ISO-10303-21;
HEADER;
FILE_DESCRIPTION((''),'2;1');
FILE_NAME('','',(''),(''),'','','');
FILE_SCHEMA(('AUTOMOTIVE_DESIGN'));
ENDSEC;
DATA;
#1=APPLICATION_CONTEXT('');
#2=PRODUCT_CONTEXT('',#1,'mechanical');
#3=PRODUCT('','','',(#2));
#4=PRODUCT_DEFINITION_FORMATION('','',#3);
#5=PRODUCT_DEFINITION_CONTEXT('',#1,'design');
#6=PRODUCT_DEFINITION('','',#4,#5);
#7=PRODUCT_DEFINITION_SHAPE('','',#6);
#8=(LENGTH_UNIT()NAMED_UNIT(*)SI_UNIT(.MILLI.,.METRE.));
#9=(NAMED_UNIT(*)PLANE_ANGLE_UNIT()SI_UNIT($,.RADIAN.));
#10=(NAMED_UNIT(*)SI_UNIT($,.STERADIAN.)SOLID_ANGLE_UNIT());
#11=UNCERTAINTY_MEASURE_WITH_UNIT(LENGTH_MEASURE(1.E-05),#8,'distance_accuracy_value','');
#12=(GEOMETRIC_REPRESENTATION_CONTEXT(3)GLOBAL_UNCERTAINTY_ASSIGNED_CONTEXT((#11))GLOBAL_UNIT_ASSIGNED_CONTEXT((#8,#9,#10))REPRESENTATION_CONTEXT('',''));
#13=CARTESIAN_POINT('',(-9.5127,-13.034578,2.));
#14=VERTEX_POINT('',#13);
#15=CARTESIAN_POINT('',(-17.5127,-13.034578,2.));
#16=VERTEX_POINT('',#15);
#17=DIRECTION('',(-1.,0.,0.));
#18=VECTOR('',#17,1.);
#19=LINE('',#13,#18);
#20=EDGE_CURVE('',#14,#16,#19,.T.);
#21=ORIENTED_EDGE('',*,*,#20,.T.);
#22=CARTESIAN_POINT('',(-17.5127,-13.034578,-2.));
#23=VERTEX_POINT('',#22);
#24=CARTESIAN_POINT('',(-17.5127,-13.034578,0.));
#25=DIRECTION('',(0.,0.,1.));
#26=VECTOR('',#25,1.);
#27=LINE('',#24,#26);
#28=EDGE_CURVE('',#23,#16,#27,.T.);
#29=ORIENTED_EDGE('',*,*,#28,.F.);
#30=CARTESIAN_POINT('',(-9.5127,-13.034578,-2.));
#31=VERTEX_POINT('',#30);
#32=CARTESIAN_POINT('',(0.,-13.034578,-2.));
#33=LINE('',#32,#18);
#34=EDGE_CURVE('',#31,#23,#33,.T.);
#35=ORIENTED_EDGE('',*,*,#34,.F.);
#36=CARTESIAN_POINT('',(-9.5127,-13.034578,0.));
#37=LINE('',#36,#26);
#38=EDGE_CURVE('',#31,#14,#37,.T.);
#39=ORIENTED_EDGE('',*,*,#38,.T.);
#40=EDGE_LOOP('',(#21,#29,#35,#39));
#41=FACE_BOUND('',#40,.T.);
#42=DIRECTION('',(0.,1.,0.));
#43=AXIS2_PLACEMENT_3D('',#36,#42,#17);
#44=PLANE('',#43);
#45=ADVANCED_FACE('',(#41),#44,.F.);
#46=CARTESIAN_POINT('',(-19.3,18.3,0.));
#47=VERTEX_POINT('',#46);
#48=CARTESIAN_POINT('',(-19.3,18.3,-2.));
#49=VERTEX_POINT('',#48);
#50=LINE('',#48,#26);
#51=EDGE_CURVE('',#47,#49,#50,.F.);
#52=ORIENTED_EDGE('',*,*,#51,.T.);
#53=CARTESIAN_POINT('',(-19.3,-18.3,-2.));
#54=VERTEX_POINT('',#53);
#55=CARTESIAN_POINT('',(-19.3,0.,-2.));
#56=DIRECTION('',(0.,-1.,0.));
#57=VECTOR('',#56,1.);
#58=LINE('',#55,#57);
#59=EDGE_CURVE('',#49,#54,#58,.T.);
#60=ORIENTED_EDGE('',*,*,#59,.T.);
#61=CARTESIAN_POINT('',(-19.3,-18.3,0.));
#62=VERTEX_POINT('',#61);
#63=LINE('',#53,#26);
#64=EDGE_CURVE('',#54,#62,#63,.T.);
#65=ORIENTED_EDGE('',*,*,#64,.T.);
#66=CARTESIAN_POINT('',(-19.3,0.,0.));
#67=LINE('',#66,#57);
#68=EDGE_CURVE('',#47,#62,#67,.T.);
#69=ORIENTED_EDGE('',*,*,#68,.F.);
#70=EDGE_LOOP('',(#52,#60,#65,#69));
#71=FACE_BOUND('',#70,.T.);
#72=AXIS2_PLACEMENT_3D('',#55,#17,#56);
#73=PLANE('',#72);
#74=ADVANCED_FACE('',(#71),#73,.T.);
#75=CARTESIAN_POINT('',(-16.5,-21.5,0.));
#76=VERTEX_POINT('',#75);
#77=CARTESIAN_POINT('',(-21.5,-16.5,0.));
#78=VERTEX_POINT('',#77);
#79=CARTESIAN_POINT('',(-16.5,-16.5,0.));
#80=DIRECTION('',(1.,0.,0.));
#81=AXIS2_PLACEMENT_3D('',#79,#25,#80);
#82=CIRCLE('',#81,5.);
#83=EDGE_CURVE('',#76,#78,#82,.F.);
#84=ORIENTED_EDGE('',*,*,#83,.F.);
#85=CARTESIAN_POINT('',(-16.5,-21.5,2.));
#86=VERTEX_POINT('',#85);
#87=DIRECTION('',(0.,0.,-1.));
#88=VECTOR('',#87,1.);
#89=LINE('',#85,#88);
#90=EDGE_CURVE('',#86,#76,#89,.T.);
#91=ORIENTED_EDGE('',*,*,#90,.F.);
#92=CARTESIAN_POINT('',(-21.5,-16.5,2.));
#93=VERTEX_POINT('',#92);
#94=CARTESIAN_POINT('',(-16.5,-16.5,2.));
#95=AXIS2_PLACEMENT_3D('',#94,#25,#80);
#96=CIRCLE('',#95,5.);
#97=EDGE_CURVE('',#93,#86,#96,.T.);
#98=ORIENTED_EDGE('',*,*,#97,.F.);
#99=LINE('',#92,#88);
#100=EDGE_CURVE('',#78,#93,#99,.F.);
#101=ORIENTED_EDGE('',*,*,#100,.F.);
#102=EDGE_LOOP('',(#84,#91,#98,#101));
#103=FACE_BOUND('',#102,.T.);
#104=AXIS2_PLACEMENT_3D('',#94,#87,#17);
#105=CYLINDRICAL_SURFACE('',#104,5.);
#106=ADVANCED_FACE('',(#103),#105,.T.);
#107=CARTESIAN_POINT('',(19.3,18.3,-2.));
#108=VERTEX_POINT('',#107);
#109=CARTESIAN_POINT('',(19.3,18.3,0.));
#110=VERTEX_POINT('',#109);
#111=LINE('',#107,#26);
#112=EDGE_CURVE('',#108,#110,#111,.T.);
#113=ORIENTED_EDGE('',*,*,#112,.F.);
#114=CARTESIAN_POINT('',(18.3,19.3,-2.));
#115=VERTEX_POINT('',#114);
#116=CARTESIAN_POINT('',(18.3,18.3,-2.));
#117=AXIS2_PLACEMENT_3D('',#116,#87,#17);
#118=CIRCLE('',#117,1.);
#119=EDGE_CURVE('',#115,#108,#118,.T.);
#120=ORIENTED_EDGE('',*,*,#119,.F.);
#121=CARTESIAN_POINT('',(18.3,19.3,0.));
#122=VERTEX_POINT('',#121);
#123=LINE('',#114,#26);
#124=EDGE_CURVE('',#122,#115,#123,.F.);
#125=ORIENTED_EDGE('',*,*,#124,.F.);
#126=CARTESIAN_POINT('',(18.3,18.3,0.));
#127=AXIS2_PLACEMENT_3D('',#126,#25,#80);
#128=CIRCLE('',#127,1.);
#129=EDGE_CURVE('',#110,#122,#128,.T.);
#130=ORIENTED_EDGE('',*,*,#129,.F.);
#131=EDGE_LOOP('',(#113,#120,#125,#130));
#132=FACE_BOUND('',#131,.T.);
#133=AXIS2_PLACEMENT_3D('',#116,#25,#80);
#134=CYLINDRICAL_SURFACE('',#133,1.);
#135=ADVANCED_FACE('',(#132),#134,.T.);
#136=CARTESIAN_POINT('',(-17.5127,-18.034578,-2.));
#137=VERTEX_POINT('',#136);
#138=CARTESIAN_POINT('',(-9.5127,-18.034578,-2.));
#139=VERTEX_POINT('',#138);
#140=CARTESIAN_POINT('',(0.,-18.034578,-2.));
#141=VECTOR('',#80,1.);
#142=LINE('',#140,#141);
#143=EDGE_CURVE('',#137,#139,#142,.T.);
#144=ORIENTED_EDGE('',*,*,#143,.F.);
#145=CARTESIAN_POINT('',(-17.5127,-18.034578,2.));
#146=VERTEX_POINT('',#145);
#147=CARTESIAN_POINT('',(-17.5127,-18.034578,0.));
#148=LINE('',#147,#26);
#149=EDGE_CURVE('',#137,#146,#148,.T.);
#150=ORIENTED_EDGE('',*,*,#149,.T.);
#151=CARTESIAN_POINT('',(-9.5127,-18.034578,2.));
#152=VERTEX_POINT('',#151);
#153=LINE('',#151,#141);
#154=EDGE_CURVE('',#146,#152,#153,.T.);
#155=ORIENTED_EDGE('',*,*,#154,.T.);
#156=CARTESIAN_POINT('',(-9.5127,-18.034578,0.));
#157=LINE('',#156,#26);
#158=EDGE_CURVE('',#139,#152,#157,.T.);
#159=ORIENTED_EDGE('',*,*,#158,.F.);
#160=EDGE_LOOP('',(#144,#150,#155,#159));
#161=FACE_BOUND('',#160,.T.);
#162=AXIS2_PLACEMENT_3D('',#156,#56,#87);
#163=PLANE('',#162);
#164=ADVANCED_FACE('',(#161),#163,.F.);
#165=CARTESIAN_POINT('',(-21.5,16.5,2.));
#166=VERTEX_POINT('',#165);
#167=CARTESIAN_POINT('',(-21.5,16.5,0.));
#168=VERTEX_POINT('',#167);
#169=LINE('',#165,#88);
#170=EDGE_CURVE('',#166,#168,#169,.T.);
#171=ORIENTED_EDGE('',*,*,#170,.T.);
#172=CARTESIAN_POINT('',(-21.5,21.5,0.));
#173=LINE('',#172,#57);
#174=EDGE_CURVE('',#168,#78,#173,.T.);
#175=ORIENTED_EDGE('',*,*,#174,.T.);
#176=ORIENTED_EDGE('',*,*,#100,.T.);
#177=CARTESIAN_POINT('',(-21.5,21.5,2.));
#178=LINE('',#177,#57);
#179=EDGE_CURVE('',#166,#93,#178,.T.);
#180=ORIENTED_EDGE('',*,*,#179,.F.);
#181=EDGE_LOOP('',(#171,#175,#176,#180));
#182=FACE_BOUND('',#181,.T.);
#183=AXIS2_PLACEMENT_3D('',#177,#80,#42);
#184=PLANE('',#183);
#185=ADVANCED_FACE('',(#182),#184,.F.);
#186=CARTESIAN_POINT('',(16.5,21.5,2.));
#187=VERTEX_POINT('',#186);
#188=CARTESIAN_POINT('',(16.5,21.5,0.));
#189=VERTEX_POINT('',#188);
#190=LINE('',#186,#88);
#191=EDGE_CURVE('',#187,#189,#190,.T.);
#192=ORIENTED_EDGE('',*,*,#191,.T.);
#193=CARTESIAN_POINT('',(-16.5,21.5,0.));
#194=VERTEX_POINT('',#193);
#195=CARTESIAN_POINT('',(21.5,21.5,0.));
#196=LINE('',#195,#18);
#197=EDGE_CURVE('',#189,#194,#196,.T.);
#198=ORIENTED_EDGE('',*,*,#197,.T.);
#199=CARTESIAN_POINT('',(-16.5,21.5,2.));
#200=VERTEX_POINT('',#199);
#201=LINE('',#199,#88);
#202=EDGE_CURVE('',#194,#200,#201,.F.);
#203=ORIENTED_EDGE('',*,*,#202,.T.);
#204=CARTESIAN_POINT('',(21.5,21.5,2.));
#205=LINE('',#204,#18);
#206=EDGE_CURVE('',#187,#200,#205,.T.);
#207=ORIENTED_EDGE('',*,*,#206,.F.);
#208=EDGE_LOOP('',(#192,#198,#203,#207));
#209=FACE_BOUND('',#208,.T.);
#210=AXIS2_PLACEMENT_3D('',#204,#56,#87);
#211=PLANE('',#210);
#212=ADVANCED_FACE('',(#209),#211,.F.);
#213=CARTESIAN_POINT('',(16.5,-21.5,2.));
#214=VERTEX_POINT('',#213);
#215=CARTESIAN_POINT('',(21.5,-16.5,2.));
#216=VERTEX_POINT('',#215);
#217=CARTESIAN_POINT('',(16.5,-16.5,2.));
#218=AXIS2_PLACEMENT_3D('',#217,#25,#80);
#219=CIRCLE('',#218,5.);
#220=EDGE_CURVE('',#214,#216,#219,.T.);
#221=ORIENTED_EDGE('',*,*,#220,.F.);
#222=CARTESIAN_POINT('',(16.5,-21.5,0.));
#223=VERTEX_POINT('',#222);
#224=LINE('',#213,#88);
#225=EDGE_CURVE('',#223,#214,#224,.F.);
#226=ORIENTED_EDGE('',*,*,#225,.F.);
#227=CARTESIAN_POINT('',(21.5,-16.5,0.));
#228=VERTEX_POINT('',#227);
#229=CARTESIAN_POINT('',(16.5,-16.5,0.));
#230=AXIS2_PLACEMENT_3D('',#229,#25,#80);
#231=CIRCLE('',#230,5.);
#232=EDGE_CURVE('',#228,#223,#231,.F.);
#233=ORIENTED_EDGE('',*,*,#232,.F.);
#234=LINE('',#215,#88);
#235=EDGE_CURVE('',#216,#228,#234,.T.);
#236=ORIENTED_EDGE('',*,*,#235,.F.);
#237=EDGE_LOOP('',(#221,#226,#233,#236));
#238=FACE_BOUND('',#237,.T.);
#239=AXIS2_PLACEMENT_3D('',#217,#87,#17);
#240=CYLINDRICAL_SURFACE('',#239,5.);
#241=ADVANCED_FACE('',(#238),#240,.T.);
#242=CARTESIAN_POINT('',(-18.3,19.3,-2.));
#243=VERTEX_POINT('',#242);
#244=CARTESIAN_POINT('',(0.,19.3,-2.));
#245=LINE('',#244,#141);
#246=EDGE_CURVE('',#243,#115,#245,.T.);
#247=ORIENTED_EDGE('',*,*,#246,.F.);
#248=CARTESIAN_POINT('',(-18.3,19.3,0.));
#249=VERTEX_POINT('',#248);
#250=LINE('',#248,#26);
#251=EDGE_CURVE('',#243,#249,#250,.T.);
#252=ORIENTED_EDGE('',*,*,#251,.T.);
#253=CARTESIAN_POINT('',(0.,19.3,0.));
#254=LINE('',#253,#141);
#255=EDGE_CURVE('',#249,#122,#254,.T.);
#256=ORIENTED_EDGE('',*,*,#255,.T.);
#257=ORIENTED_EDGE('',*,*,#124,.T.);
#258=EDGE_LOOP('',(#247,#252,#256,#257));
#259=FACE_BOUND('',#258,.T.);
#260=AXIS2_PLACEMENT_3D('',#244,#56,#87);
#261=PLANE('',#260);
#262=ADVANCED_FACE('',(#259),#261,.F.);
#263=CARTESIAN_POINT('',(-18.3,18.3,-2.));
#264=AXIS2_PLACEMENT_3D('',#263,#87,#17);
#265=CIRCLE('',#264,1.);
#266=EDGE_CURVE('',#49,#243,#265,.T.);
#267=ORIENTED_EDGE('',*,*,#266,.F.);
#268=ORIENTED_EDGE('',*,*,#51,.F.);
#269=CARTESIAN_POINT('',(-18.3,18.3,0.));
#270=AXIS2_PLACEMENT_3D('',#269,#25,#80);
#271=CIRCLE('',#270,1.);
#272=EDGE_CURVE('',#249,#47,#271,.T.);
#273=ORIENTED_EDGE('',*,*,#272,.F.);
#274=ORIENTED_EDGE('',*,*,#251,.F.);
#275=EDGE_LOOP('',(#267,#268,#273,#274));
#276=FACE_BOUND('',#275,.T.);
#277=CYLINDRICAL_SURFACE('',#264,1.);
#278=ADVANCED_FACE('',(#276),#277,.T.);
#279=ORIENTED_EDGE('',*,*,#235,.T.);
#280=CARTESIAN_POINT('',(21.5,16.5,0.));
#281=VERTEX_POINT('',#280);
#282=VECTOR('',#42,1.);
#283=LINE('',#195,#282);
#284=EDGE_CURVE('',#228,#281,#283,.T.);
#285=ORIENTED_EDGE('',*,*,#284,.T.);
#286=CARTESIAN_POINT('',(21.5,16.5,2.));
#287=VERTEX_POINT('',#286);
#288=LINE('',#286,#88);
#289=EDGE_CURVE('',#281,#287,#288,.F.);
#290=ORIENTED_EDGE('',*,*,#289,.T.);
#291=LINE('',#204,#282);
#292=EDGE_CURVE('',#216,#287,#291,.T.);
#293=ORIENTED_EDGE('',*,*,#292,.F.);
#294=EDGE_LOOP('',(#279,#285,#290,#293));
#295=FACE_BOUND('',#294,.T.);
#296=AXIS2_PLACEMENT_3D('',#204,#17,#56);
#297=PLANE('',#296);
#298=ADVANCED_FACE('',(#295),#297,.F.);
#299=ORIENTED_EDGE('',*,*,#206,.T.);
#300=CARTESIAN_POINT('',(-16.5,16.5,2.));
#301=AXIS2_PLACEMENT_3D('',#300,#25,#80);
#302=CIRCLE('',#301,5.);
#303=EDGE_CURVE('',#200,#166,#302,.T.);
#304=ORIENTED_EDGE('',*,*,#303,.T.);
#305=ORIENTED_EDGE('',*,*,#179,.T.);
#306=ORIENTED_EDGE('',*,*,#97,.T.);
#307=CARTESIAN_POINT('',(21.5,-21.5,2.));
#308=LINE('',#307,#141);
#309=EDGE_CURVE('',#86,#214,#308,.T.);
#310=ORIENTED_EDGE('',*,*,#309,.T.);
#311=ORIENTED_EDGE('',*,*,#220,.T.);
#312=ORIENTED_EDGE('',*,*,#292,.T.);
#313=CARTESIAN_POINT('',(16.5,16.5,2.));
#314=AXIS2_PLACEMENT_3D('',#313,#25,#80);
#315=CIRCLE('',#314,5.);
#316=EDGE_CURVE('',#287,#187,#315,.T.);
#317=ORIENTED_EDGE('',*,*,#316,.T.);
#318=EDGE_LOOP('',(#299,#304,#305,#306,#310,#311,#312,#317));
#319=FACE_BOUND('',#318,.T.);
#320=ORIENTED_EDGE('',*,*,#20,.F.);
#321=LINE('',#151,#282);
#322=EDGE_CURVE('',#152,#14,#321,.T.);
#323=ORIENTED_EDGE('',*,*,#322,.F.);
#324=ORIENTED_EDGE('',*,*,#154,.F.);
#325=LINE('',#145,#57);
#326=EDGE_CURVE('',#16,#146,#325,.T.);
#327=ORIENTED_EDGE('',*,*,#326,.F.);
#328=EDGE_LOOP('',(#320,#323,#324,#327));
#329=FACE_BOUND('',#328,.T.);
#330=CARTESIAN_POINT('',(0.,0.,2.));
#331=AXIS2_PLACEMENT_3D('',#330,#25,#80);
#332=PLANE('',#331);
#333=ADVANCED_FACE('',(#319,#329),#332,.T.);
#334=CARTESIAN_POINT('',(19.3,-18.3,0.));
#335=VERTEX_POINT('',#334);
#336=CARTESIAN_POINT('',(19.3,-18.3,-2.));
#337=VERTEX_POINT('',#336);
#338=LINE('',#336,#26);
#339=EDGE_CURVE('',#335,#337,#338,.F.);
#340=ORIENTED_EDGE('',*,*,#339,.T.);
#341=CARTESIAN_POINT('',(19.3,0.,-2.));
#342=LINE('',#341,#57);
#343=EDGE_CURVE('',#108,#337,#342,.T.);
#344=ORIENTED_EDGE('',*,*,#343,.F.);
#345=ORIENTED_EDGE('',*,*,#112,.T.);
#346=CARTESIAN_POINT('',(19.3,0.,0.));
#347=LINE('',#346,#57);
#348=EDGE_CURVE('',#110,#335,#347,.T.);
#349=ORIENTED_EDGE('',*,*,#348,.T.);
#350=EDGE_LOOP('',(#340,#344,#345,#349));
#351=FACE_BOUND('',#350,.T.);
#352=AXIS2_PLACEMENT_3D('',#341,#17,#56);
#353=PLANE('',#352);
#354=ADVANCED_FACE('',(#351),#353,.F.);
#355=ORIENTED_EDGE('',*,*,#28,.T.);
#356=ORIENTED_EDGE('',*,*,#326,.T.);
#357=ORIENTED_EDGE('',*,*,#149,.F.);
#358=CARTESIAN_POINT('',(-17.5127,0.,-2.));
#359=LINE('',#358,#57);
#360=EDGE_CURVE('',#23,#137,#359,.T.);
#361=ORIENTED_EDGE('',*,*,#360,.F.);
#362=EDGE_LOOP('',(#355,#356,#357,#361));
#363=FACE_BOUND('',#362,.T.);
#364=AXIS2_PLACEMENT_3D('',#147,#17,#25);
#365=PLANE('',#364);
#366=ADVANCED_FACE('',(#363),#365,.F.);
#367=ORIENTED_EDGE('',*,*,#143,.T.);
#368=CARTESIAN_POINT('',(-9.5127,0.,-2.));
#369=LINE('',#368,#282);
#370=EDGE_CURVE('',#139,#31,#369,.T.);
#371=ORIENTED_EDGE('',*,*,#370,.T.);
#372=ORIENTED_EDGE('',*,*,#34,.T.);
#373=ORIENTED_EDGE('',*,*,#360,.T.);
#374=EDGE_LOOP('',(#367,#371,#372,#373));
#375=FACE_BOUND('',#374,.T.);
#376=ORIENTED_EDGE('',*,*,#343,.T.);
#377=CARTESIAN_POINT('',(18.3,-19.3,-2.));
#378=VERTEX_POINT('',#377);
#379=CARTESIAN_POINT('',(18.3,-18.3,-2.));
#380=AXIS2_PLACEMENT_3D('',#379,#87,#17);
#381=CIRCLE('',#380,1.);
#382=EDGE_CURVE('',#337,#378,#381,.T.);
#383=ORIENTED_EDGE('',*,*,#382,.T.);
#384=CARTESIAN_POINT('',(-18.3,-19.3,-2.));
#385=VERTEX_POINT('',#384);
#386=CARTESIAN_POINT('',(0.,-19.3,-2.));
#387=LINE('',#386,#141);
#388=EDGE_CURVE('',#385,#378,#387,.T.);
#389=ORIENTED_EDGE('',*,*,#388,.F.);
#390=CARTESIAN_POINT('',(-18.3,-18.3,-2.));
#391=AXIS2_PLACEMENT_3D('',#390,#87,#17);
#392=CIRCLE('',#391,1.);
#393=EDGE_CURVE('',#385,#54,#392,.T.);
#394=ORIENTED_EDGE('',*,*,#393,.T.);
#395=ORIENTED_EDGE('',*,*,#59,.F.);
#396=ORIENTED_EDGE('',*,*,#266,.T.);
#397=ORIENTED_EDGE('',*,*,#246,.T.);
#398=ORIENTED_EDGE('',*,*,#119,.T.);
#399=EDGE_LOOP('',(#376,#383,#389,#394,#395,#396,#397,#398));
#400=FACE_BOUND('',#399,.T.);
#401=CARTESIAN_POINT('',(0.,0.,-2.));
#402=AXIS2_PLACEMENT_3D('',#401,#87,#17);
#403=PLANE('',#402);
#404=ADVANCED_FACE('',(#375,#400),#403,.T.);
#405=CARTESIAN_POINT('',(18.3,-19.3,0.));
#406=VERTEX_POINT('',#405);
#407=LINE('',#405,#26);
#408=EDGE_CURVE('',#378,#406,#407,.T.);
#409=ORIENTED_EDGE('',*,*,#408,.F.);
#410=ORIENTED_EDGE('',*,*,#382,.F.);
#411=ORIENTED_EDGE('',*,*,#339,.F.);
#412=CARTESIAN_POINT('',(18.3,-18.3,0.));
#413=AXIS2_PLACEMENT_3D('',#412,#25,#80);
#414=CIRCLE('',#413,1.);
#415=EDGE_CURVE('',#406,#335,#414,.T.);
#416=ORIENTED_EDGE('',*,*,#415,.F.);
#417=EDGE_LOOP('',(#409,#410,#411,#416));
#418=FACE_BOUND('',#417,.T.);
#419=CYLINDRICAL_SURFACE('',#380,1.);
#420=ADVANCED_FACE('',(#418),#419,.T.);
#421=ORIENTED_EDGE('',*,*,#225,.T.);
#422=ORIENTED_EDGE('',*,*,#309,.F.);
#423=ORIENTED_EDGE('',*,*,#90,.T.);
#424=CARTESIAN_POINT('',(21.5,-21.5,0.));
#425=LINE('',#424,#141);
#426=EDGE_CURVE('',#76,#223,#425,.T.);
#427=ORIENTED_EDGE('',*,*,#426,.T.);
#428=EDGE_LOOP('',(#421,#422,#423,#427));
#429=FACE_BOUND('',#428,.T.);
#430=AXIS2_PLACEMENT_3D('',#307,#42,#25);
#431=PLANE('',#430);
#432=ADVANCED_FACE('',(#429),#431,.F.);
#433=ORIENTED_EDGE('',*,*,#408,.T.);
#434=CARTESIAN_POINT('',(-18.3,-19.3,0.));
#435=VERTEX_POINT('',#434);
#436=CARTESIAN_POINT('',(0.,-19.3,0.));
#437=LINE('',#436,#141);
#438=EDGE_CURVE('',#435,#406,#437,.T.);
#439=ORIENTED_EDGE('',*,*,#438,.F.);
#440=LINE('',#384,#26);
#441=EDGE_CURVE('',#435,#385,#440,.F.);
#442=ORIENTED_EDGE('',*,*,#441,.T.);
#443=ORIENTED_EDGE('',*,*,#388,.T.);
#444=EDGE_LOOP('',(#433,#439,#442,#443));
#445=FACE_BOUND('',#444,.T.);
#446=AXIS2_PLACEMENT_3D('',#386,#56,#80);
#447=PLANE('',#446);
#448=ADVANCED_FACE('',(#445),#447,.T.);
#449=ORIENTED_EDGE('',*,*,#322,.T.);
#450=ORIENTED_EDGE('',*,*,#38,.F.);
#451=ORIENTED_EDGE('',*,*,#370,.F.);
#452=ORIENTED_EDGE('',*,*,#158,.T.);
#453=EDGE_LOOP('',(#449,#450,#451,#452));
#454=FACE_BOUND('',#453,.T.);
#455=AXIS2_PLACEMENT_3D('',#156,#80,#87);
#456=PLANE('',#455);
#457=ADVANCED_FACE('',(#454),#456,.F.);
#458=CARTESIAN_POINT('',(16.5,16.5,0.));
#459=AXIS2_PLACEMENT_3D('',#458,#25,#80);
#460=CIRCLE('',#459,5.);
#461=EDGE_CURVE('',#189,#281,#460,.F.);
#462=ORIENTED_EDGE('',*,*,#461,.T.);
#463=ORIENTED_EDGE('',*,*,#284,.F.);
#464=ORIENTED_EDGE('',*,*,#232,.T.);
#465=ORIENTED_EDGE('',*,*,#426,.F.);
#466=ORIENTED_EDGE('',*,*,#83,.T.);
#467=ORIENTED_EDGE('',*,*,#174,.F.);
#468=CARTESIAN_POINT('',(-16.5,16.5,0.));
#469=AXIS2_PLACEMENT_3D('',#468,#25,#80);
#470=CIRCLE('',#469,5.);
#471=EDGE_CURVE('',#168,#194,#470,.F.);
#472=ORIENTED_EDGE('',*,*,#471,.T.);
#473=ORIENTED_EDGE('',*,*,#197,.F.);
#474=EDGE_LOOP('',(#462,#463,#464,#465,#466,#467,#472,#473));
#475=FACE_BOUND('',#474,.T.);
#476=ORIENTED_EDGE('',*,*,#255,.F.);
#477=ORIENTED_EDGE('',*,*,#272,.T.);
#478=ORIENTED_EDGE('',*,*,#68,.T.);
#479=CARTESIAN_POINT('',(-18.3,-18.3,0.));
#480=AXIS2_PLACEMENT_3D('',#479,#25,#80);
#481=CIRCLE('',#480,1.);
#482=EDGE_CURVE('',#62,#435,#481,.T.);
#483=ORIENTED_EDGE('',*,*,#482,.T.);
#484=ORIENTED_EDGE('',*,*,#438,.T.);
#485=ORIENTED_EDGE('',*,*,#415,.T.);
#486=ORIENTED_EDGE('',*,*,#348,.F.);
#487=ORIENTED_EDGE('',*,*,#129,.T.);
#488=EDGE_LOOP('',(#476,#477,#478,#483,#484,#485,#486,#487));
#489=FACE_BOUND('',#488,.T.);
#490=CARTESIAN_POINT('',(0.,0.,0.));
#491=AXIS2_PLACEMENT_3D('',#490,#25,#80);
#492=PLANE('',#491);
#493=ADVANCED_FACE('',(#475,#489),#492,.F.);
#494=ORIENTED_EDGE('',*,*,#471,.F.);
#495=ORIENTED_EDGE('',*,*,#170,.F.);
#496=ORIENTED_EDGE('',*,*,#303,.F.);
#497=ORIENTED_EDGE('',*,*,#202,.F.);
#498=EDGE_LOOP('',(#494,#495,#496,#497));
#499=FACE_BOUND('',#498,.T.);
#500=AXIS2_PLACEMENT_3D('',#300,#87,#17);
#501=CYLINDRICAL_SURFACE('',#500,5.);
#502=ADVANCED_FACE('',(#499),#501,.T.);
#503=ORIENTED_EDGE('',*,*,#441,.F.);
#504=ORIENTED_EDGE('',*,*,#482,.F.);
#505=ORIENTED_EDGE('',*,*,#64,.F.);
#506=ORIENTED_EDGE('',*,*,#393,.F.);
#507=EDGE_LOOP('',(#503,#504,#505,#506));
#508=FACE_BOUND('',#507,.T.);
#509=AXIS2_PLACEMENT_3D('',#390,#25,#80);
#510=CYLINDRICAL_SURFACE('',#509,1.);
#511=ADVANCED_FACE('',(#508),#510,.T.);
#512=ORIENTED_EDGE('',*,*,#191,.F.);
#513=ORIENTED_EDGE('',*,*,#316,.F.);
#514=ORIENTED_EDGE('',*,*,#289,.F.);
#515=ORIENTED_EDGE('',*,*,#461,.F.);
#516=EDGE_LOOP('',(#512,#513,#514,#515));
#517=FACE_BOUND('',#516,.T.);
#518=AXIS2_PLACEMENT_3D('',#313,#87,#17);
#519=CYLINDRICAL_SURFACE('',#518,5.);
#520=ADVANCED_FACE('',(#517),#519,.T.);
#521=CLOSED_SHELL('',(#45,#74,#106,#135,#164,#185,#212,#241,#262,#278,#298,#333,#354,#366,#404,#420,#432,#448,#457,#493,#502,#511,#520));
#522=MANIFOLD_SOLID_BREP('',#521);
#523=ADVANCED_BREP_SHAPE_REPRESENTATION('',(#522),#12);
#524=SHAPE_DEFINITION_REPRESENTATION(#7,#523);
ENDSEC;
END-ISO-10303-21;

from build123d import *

# Parameters (mm, degrees)
SKETCH1_W           = 43.000000106
SKETCH1_H           = 43
BOSS_EXTRUDE1_DEPTH = 2
FILLET1_R           = 5
SKETCH2_W           = 8
SKETCH2_H           = 5
CUT_EXTRUDE1_DEPTH  = 31.471298008
SKETCH3_W           = 38.6
SKETCH3_H           = 38.6
SKETCH3_W_2         = 5
SKETCH3_H_2         = 8
BOSS_EXTRUDE2_DEPTH = 2
FILLET3_R           = 1


with BuildPart() as part:
    # Sketch1 → Boss-Extrude1 (new body)
    with BuildSketch(Plane(origin=(0, 0, 0), x_dir=(0, 1, 0), z_dir=(0, 0, 1))):
        Rectangle(SKETCH1_W, SKETCH1_H)
    extrude(amount=BOSS_EXTRUDE1_DEPTH)

    # Fillet1
    fillet1_edges = [part.edges().sort_by_distance(p)[0] for p in [
        (-21.5, -21.500000053, 1),
        (-21.5, 21.500000053, 1),
        (21.5, 21.500000053, 1),
        (21.5, -21.500000053, 1),
    ]]
    fillet(fillet1_edges, radius=FILLET1_R)

    # Sketch2 → Cut-Extrude1 (cut, through all)
    with BuildSketch(Plane.XY.offset(2)):
        with Locations((-13.512700472, -15.534578128)):
            Rectangle(SKETCH2_W, SKETCH2_H)
    extrude(amount=-CUT_EXTRUDE1_DEPTH, mode=Mode.SUBTRACT)

    # Sketch3 → Boss-Extrude2 (add)
    with BuildSketch(Plane.YX):
        Rectangle(SKETCH3_W, SKETCH3_H)
        with Locations((-15.534578128, -13.512700472)):
            Rectangle(SKETCH3_W_2, SKETCH3_H_2, mode=Mode.SUBTRACT)
    extrude(amount=BOSS_EXTRUDE2_DEPTH)

    # Fillet3
    fillet3_edges = [part.edges().sort_by_distance(p)[0] for p in [
        (-19.3, -19.3, -1),
        (-19.3, 19.3, -1),
        (19.3, 19.3, -1),
        (19.3, -19.3, -1),
    ]]
    fillet(fillet3_edges, radius=FILLET3_R)


solid = part.part
